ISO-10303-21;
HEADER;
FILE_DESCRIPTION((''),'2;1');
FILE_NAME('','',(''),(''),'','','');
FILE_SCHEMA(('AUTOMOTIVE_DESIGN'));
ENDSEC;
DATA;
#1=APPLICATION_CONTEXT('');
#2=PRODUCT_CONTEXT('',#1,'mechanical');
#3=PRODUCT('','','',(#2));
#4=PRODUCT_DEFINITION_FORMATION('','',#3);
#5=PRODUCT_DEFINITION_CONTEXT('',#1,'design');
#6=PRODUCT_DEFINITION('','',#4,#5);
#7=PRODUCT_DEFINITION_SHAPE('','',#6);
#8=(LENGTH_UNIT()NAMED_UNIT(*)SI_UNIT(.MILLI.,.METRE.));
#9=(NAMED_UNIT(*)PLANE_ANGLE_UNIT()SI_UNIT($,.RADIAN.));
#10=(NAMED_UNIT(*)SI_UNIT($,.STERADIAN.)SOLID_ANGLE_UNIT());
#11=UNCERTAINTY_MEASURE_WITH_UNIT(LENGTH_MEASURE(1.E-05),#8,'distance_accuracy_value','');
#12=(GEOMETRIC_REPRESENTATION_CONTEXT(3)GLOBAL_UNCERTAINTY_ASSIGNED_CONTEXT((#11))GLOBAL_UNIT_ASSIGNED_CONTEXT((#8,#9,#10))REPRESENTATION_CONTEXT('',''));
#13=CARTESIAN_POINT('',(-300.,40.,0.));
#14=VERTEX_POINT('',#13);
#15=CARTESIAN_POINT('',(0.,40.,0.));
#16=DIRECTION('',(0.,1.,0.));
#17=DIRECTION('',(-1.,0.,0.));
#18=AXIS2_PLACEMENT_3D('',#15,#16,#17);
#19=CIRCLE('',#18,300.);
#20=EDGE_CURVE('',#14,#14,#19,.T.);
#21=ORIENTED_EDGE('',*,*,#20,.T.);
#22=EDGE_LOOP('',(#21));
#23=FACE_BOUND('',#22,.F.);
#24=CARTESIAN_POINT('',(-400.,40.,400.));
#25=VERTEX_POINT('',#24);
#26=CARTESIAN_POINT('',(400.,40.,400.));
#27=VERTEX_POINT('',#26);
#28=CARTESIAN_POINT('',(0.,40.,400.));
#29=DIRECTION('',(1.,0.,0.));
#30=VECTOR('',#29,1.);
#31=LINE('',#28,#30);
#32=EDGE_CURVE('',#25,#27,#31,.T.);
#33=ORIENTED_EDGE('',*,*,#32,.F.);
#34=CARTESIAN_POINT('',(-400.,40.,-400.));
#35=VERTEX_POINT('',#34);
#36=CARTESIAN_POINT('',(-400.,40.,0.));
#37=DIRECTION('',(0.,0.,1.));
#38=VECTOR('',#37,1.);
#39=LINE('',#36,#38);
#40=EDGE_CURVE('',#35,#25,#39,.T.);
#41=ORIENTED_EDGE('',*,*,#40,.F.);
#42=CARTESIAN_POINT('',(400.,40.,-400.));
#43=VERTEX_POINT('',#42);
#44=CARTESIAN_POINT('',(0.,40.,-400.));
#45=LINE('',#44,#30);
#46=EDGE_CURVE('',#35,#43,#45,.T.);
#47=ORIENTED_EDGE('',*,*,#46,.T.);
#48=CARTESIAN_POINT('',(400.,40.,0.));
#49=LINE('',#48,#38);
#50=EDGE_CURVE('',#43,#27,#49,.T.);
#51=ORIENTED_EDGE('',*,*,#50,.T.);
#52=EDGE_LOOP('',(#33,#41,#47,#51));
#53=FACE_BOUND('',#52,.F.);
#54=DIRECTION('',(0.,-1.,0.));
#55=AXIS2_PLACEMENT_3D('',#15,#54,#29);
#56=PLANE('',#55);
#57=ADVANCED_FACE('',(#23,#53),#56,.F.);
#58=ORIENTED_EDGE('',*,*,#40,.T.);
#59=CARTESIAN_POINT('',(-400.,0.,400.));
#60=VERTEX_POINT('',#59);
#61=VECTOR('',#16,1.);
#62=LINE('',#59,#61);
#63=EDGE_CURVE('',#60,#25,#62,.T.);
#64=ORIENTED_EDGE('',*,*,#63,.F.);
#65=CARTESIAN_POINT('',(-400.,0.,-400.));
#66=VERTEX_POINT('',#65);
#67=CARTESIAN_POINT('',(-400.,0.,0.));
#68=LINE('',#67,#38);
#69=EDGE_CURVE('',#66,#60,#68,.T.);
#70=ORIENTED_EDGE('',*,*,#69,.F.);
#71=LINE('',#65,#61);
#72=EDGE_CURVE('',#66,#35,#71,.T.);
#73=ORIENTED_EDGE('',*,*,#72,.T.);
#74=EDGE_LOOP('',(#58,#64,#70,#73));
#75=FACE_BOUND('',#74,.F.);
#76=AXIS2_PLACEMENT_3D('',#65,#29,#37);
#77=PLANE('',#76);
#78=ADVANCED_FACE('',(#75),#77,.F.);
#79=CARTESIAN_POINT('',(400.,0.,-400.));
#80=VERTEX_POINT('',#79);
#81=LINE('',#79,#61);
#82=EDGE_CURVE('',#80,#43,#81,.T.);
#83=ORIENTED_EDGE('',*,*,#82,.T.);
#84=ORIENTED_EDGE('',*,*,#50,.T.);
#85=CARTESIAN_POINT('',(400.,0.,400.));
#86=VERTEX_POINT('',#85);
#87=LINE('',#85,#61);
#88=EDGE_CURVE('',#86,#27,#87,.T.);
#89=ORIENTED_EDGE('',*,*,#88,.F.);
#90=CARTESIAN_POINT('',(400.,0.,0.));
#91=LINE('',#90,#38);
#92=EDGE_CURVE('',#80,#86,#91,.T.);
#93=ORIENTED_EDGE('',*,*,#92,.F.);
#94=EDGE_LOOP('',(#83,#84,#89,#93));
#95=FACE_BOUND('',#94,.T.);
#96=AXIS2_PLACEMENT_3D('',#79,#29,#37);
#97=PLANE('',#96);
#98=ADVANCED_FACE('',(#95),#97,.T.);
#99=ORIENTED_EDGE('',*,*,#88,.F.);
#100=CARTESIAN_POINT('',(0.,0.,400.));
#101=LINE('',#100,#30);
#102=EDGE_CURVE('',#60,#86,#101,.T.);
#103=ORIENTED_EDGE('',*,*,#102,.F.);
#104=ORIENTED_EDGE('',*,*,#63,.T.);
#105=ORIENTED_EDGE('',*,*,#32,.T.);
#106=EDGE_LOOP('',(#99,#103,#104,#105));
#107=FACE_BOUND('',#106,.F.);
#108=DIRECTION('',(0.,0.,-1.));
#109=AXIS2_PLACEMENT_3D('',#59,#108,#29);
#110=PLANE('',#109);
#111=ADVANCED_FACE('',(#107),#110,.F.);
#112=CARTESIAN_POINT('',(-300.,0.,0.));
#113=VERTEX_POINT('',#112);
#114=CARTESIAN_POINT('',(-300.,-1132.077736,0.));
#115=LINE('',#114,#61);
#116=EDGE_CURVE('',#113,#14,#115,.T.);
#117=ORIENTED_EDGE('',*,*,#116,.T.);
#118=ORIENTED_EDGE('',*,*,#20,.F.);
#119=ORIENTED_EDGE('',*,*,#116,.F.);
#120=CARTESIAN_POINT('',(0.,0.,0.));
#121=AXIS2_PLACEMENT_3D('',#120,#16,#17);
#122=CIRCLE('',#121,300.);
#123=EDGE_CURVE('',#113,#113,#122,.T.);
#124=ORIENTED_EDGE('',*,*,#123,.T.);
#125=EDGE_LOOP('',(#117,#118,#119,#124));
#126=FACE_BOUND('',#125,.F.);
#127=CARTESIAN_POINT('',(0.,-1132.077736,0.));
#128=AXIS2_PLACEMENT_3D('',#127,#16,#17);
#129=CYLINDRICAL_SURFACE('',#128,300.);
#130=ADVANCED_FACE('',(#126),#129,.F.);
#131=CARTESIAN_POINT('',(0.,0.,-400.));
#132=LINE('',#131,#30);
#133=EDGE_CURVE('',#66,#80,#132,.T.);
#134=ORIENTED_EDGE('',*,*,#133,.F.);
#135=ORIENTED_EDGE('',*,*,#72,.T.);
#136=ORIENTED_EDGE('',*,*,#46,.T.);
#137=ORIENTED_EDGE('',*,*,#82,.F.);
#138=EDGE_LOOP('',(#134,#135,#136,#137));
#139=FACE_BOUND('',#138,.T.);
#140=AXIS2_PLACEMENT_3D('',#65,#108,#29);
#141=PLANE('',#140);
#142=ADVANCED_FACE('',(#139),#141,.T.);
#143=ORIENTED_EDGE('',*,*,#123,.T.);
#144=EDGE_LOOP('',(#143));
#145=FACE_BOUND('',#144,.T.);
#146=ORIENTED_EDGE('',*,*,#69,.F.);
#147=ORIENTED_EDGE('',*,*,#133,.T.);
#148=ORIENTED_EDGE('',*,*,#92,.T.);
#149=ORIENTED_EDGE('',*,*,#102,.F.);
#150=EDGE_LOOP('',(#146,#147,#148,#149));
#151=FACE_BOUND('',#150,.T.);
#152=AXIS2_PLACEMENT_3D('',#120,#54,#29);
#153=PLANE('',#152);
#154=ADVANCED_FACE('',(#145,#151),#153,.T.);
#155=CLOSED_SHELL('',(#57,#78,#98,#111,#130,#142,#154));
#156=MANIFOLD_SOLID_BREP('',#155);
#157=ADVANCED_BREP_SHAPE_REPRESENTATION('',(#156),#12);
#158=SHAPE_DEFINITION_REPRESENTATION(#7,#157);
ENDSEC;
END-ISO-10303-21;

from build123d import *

# Parameters (mm, degrees)
F0_W     = 800
F0_H     = 800
F1_DEPTH = 40
F3_D     = 600


with BuildPart() as f1:
    # F0 (on Front) → F1 (new body)
    with BuildSketch(Plane.XZ):
        Rectangle(F0_W, F0_H)
    extrude(amount=-F1_DEPTH)

    # F3 (through all)
    with Locations(Plane.XZ):
        with Locations((0, 0)):
            Hole(F3_D / 2)


solid = f1.part
